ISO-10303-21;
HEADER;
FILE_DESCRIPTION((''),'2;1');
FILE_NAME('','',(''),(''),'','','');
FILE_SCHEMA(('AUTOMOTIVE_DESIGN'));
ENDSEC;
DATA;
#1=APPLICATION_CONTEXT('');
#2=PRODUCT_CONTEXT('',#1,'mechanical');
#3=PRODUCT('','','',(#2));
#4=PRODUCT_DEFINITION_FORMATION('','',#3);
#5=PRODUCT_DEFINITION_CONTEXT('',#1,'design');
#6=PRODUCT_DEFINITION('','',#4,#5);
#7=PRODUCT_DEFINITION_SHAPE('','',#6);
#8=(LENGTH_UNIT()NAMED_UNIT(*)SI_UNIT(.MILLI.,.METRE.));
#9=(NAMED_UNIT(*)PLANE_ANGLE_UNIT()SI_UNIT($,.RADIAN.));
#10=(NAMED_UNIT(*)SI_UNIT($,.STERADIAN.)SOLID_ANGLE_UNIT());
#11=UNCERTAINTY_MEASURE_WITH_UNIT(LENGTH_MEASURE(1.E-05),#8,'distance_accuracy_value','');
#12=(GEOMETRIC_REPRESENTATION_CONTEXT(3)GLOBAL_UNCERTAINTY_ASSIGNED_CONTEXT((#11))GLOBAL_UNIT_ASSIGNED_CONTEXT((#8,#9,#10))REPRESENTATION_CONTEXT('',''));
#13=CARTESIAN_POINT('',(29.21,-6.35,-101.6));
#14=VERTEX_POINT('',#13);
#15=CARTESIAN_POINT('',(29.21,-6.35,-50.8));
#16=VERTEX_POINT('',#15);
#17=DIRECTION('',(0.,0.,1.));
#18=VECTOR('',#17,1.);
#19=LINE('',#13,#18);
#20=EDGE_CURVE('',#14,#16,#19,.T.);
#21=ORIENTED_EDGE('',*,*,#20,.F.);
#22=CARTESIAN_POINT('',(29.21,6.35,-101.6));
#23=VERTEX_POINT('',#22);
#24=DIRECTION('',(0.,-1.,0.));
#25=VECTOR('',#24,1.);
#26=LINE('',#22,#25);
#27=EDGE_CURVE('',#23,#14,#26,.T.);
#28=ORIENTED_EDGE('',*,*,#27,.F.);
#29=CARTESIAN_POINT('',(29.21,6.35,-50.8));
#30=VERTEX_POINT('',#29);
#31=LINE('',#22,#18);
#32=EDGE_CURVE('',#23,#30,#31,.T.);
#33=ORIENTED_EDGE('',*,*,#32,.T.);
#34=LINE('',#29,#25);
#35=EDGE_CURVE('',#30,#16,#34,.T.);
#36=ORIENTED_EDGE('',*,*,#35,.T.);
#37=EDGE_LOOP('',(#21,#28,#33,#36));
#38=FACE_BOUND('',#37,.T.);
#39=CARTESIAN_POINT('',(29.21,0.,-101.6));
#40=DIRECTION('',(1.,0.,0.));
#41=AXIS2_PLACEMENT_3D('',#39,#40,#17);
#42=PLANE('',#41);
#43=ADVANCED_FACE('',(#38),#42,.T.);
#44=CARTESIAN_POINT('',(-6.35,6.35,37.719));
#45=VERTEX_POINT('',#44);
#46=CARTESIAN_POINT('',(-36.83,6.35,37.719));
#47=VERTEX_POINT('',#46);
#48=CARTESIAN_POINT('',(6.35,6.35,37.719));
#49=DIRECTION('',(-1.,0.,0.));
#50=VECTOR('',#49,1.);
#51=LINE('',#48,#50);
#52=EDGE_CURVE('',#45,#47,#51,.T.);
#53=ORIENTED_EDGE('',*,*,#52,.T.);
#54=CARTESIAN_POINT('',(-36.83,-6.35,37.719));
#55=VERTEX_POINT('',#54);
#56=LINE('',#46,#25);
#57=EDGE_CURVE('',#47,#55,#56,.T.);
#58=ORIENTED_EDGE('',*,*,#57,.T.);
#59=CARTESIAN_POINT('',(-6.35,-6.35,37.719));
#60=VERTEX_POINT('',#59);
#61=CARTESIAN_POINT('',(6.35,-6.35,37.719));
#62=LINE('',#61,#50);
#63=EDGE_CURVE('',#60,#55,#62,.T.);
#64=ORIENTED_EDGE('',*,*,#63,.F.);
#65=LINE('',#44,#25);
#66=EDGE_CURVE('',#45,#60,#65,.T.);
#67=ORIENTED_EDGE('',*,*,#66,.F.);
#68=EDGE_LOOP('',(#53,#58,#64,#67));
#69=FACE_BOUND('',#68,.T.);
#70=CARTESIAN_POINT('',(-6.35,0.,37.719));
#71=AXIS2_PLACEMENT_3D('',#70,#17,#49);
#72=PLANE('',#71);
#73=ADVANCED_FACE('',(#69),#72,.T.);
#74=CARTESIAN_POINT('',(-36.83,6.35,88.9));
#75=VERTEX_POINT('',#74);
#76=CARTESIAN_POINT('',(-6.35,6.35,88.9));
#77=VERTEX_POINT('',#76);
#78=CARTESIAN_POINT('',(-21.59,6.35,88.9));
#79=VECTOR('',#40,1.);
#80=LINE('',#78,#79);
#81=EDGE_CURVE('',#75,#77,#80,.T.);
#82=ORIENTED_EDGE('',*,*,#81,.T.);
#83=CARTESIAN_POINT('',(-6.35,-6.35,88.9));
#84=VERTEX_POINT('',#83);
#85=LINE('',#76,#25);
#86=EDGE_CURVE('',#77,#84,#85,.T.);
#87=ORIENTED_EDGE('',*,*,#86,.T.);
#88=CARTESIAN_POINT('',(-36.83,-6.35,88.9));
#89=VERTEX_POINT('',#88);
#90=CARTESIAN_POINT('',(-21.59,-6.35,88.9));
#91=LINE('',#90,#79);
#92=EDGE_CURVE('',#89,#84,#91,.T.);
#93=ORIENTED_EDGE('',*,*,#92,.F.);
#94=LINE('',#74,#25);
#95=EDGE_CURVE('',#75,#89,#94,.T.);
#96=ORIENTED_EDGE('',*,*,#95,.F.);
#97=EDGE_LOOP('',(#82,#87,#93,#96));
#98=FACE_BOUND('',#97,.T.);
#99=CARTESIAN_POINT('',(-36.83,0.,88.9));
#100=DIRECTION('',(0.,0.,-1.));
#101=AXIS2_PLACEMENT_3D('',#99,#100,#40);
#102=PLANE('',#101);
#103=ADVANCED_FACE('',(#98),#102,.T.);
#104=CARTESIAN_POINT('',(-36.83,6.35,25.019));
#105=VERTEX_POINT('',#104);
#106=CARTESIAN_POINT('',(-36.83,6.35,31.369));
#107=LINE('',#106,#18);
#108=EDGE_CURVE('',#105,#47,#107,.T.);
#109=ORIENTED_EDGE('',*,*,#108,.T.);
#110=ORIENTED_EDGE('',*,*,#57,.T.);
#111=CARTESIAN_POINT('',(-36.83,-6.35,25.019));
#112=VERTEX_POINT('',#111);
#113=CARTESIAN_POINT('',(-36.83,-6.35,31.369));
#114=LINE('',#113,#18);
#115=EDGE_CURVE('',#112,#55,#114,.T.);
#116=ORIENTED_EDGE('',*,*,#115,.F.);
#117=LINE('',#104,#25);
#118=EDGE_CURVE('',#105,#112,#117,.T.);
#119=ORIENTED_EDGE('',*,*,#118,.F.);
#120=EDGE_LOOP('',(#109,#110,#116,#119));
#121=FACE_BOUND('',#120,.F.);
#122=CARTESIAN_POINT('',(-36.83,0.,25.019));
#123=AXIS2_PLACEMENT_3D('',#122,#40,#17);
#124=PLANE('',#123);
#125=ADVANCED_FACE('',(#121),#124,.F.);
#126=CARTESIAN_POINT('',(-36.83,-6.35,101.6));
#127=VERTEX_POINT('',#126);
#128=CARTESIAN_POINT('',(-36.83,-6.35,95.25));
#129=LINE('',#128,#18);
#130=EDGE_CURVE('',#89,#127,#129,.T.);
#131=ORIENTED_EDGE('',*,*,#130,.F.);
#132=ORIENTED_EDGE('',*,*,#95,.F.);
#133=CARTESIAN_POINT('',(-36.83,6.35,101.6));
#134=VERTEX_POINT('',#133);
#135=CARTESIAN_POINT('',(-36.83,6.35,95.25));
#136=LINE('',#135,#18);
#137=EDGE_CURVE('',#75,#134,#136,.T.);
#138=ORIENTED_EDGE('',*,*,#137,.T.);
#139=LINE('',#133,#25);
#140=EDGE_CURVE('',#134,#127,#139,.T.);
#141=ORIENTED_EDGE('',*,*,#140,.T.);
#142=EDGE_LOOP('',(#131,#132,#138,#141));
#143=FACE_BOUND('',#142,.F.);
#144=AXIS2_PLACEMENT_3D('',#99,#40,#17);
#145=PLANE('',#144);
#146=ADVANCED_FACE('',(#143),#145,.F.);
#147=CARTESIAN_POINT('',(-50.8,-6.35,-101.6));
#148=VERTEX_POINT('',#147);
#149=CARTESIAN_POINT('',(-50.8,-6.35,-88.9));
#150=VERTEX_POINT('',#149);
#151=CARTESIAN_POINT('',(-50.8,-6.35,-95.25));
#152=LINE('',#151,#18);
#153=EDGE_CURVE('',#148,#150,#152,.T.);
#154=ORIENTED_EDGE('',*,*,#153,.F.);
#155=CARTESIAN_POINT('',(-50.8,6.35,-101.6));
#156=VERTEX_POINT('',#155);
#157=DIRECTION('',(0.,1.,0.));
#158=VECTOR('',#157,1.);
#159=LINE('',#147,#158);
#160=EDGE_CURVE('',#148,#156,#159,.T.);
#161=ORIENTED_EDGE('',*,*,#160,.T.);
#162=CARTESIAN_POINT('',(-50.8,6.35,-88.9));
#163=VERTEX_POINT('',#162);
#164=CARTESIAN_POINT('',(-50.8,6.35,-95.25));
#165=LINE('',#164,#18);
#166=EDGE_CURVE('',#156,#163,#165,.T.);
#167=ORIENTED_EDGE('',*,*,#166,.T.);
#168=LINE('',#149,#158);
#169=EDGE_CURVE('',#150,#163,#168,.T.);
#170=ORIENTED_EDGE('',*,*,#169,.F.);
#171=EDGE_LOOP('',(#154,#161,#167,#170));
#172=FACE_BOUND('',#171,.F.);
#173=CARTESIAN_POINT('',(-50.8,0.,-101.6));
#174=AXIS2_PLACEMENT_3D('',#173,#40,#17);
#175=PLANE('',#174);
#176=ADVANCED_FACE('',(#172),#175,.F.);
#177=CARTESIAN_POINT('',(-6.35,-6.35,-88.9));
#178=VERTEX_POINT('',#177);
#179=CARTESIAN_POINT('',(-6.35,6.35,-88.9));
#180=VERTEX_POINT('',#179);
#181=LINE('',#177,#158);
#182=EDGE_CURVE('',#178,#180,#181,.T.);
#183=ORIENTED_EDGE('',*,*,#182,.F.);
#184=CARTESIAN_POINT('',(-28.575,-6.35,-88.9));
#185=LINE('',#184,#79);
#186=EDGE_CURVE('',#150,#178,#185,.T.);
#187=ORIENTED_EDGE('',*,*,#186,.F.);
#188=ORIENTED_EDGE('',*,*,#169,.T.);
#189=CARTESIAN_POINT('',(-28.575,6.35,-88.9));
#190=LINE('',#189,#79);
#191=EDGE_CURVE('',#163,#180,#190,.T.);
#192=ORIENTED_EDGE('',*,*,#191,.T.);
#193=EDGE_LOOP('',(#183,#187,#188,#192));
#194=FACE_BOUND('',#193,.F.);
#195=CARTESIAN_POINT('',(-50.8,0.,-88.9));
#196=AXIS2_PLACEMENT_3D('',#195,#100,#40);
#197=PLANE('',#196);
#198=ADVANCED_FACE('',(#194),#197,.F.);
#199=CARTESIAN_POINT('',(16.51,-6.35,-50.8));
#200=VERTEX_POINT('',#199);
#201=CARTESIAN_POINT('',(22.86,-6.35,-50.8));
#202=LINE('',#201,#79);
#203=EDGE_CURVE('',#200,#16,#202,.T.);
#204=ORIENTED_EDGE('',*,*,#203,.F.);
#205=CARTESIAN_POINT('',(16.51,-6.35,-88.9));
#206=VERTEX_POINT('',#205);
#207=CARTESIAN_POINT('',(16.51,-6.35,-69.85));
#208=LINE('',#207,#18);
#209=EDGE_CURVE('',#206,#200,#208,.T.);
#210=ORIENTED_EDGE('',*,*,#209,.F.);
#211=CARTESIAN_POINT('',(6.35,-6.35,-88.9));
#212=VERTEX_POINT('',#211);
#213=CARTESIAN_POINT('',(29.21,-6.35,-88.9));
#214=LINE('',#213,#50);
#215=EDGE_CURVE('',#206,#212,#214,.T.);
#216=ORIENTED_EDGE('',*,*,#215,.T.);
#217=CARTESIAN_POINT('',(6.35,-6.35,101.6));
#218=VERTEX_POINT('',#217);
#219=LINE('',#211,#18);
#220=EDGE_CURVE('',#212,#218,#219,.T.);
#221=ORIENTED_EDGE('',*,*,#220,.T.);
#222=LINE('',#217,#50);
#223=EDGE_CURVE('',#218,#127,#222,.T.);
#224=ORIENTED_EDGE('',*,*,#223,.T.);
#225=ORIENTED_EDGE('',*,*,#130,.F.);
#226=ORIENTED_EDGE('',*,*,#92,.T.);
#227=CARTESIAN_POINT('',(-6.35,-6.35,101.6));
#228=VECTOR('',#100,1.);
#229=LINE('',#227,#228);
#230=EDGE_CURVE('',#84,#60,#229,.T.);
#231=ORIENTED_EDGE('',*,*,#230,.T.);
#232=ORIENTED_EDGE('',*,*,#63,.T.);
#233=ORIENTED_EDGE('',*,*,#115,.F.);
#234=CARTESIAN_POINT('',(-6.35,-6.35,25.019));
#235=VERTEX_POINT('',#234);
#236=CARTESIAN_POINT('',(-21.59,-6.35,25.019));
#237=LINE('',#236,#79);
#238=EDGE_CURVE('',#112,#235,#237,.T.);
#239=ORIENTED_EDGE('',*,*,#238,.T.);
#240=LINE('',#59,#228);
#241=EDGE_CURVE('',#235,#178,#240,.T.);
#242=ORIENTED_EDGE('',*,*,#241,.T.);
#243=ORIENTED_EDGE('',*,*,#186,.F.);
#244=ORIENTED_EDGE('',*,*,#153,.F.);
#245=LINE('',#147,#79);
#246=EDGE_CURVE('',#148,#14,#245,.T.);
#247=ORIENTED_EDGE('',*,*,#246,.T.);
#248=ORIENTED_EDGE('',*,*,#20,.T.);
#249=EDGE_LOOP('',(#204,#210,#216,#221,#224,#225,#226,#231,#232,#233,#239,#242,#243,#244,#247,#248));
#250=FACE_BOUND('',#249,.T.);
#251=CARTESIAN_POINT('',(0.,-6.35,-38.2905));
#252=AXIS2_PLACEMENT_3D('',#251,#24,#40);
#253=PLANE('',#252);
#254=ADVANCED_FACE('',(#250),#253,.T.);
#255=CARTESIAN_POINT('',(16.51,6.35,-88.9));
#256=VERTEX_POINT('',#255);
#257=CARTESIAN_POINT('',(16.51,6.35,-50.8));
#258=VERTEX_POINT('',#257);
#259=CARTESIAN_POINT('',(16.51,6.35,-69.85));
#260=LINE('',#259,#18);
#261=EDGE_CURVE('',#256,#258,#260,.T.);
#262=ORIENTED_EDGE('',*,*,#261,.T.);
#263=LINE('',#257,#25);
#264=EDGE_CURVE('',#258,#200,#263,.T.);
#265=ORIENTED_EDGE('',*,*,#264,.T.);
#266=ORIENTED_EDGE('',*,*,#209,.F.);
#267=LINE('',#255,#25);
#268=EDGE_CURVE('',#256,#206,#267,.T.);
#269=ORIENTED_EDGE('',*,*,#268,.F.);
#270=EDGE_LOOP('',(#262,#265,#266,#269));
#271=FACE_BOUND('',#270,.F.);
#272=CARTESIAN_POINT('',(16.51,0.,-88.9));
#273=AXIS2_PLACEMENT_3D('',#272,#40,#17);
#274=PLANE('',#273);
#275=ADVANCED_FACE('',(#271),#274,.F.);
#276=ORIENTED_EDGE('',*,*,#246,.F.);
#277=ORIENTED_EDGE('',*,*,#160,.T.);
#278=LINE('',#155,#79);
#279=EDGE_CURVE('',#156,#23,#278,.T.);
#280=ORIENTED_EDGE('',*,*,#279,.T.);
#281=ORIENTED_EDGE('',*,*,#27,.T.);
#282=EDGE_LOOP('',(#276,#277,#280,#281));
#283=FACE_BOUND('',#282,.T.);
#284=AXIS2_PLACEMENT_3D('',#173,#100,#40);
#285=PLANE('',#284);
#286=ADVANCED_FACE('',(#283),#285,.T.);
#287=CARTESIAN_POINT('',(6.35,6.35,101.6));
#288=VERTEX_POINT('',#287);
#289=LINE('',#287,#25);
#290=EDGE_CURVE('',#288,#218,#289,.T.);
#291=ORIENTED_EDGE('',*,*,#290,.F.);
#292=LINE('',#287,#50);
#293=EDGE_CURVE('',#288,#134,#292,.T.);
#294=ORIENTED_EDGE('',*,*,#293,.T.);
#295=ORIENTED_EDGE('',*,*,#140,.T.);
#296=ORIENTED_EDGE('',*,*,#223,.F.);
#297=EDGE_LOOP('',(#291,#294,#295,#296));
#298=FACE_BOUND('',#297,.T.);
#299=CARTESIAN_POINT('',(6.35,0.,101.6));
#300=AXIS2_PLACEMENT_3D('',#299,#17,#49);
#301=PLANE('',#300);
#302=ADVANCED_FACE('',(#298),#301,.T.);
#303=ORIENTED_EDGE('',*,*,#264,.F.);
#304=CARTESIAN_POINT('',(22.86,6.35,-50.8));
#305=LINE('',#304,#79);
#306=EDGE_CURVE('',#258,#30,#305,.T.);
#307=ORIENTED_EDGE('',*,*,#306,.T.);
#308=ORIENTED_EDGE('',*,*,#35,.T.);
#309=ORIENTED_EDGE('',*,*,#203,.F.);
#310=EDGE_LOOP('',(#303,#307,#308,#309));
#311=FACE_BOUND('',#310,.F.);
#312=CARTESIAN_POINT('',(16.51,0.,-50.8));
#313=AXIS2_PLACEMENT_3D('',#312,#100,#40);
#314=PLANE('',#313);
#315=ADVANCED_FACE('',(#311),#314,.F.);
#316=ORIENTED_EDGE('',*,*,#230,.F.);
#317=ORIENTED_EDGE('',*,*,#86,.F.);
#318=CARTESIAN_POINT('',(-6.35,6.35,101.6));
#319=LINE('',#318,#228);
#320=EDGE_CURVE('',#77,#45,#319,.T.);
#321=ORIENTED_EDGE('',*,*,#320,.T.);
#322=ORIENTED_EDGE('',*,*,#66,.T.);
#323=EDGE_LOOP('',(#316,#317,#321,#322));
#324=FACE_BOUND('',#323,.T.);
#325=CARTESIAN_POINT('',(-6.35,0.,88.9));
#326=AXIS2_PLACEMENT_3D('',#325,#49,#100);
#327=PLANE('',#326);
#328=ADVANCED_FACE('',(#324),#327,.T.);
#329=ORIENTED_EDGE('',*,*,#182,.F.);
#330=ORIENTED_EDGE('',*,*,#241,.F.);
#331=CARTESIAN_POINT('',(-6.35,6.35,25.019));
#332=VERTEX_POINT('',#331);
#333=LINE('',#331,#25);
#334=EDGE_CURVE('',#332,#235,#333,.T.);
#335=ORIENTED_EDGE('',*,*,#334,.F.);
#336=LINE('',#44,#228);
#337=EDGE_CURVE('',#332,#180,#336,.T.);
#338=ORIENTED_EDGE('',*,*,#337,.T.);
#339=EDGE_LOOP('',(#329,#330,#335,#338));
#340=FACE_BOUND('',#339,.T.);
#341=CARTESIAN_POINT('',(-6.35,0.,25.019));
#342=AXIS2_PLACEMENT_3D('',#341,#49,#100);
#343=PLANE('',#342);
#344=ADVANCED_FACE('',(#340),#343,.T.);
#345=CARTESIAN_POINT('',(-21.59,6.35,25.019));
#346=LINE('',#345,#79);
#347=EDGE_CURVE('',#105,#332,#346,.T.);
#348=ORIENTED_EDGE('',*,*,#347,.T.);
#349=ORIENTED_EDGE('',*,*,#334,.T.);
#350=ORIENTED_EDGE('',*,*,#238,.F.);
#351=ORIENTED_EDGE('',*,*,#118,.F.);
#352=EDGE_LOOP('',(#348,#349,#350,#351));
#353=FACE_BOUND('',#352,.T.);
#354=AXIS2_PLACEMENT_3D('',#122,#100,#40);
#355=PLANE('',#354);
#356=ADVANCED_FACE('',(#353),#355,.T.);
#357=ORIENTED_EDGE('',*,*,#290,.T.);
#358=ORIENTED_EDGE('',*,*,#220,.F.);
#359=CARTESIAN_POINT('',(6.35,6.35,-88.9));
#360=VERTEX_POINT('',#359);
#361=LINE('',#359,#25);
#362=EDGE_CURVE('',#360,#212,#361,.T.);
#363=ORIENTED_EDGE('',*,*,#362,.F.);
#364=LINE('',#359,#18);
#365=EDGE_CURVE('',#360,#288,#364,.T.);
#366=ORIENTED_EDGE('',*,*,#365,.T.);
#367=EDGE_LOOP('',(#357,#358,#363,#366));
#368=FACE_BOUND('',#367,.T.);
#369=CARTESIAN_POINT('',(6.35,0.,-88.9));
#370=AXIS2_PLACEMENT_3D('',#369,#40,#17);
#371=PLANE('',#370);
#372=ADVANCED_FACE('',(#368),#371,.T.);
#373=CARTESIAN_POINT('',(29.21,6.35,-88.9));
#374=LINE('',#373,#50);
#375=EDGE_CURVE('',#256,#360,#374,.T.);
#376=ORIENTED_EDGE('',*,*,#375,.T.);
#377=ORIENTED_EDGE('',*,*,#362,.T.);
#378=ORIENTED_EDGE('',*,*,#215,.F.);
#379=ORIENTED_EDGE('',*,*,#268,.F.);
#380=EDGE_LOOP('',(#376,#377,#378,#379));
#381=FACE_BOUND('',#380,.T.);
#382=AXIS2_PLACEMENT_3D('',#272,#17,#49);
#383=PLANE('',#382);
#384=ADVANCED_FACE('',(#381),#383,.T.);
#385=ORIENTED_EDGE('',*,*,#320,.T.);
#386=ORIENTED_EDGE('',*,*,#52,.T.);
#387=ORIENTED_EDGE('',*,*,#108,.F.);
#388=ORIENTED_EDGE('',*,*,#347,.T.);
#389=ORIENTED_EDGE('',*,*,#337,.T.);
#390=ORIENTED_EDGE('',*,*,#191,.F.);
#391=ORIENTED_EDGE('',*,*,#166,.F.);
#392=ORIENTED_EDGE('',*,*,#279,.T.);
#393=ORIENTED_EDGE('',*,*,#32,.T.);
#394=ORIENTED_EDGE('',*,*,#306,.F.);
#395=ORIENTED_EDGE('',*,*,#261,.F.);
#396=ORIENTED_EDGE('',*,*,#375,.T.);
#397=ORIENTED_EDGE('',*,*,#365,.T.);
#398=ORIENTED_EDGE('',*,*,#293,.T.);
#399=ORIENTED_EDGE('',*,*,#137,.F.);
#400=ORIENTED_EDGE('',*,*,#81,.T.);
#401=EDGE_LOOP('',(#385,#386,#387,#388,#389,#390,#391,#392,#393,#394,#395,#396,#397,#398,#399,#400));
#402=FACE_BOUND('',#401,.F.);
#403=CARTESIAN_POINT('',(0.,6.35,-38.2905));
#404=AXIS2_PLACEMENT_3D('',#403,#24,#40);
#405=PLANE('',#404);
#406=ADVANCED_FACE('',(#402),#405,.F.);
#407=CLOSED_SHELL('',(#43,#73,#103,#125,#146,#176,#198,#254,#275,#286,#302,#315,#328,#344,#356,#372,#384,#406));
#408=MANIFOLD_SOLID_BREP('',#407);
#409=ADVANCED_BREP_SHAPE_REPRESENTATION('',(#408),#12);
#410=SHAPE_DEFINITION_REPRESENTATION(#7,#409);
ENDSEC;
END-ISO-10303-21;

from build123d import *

# Parameters (mm, degrees)
F0_W     = 44.45
F0_H     = 12.7
F0_W_2   = 12.7
F0_H_2   = 38.1
F0_W_3   = 30.48
F0_H_3   = 51.181
F1_DEPTH = 6.35


with BuildPart() as f1:
    # F0 (on Front) → F1 (new body, symmetric)
    with BuildSketch(Plane.XZ):
        Polygon((-6.35, -101.6), (6.35, -101.6), (6.35, -88.9), (6.35, 25.019), (-6.35, 25.019), (-6.35, -88.9), align=None)
        Polygon((6.35, -88.9), (6.35, -101.6), (29.21, -101.6), (29.21, -88.9), (16.51, -88.9), align=None)
        with Locations((-28.575, -95.25)):
            Rectangle(F0_W, F0_H)
        with Locations((0, 31.369)):
            Rectangle(F0_W_2, F0_H)
        with Locations((22.86, -69.85)):
            Rectangle(F0_W_2, F0_H_2)
        with Locations((-21.59, 31.369)):
            Rectangle(F0_W_3, F0_H)
        with Locations((0, 63.3095)):
            Rectangle(F0_W_2, F0_H_3)
        with Locations((0, 95.25)):
            Rectangle(F0_W_2, F0_H)
        with Locations((-21.59, 95.25)):
            Rectangle(F0_W_3, F0_H)
    extrude(amount=F1_DEPTH, both=True)


solid = f1.part
